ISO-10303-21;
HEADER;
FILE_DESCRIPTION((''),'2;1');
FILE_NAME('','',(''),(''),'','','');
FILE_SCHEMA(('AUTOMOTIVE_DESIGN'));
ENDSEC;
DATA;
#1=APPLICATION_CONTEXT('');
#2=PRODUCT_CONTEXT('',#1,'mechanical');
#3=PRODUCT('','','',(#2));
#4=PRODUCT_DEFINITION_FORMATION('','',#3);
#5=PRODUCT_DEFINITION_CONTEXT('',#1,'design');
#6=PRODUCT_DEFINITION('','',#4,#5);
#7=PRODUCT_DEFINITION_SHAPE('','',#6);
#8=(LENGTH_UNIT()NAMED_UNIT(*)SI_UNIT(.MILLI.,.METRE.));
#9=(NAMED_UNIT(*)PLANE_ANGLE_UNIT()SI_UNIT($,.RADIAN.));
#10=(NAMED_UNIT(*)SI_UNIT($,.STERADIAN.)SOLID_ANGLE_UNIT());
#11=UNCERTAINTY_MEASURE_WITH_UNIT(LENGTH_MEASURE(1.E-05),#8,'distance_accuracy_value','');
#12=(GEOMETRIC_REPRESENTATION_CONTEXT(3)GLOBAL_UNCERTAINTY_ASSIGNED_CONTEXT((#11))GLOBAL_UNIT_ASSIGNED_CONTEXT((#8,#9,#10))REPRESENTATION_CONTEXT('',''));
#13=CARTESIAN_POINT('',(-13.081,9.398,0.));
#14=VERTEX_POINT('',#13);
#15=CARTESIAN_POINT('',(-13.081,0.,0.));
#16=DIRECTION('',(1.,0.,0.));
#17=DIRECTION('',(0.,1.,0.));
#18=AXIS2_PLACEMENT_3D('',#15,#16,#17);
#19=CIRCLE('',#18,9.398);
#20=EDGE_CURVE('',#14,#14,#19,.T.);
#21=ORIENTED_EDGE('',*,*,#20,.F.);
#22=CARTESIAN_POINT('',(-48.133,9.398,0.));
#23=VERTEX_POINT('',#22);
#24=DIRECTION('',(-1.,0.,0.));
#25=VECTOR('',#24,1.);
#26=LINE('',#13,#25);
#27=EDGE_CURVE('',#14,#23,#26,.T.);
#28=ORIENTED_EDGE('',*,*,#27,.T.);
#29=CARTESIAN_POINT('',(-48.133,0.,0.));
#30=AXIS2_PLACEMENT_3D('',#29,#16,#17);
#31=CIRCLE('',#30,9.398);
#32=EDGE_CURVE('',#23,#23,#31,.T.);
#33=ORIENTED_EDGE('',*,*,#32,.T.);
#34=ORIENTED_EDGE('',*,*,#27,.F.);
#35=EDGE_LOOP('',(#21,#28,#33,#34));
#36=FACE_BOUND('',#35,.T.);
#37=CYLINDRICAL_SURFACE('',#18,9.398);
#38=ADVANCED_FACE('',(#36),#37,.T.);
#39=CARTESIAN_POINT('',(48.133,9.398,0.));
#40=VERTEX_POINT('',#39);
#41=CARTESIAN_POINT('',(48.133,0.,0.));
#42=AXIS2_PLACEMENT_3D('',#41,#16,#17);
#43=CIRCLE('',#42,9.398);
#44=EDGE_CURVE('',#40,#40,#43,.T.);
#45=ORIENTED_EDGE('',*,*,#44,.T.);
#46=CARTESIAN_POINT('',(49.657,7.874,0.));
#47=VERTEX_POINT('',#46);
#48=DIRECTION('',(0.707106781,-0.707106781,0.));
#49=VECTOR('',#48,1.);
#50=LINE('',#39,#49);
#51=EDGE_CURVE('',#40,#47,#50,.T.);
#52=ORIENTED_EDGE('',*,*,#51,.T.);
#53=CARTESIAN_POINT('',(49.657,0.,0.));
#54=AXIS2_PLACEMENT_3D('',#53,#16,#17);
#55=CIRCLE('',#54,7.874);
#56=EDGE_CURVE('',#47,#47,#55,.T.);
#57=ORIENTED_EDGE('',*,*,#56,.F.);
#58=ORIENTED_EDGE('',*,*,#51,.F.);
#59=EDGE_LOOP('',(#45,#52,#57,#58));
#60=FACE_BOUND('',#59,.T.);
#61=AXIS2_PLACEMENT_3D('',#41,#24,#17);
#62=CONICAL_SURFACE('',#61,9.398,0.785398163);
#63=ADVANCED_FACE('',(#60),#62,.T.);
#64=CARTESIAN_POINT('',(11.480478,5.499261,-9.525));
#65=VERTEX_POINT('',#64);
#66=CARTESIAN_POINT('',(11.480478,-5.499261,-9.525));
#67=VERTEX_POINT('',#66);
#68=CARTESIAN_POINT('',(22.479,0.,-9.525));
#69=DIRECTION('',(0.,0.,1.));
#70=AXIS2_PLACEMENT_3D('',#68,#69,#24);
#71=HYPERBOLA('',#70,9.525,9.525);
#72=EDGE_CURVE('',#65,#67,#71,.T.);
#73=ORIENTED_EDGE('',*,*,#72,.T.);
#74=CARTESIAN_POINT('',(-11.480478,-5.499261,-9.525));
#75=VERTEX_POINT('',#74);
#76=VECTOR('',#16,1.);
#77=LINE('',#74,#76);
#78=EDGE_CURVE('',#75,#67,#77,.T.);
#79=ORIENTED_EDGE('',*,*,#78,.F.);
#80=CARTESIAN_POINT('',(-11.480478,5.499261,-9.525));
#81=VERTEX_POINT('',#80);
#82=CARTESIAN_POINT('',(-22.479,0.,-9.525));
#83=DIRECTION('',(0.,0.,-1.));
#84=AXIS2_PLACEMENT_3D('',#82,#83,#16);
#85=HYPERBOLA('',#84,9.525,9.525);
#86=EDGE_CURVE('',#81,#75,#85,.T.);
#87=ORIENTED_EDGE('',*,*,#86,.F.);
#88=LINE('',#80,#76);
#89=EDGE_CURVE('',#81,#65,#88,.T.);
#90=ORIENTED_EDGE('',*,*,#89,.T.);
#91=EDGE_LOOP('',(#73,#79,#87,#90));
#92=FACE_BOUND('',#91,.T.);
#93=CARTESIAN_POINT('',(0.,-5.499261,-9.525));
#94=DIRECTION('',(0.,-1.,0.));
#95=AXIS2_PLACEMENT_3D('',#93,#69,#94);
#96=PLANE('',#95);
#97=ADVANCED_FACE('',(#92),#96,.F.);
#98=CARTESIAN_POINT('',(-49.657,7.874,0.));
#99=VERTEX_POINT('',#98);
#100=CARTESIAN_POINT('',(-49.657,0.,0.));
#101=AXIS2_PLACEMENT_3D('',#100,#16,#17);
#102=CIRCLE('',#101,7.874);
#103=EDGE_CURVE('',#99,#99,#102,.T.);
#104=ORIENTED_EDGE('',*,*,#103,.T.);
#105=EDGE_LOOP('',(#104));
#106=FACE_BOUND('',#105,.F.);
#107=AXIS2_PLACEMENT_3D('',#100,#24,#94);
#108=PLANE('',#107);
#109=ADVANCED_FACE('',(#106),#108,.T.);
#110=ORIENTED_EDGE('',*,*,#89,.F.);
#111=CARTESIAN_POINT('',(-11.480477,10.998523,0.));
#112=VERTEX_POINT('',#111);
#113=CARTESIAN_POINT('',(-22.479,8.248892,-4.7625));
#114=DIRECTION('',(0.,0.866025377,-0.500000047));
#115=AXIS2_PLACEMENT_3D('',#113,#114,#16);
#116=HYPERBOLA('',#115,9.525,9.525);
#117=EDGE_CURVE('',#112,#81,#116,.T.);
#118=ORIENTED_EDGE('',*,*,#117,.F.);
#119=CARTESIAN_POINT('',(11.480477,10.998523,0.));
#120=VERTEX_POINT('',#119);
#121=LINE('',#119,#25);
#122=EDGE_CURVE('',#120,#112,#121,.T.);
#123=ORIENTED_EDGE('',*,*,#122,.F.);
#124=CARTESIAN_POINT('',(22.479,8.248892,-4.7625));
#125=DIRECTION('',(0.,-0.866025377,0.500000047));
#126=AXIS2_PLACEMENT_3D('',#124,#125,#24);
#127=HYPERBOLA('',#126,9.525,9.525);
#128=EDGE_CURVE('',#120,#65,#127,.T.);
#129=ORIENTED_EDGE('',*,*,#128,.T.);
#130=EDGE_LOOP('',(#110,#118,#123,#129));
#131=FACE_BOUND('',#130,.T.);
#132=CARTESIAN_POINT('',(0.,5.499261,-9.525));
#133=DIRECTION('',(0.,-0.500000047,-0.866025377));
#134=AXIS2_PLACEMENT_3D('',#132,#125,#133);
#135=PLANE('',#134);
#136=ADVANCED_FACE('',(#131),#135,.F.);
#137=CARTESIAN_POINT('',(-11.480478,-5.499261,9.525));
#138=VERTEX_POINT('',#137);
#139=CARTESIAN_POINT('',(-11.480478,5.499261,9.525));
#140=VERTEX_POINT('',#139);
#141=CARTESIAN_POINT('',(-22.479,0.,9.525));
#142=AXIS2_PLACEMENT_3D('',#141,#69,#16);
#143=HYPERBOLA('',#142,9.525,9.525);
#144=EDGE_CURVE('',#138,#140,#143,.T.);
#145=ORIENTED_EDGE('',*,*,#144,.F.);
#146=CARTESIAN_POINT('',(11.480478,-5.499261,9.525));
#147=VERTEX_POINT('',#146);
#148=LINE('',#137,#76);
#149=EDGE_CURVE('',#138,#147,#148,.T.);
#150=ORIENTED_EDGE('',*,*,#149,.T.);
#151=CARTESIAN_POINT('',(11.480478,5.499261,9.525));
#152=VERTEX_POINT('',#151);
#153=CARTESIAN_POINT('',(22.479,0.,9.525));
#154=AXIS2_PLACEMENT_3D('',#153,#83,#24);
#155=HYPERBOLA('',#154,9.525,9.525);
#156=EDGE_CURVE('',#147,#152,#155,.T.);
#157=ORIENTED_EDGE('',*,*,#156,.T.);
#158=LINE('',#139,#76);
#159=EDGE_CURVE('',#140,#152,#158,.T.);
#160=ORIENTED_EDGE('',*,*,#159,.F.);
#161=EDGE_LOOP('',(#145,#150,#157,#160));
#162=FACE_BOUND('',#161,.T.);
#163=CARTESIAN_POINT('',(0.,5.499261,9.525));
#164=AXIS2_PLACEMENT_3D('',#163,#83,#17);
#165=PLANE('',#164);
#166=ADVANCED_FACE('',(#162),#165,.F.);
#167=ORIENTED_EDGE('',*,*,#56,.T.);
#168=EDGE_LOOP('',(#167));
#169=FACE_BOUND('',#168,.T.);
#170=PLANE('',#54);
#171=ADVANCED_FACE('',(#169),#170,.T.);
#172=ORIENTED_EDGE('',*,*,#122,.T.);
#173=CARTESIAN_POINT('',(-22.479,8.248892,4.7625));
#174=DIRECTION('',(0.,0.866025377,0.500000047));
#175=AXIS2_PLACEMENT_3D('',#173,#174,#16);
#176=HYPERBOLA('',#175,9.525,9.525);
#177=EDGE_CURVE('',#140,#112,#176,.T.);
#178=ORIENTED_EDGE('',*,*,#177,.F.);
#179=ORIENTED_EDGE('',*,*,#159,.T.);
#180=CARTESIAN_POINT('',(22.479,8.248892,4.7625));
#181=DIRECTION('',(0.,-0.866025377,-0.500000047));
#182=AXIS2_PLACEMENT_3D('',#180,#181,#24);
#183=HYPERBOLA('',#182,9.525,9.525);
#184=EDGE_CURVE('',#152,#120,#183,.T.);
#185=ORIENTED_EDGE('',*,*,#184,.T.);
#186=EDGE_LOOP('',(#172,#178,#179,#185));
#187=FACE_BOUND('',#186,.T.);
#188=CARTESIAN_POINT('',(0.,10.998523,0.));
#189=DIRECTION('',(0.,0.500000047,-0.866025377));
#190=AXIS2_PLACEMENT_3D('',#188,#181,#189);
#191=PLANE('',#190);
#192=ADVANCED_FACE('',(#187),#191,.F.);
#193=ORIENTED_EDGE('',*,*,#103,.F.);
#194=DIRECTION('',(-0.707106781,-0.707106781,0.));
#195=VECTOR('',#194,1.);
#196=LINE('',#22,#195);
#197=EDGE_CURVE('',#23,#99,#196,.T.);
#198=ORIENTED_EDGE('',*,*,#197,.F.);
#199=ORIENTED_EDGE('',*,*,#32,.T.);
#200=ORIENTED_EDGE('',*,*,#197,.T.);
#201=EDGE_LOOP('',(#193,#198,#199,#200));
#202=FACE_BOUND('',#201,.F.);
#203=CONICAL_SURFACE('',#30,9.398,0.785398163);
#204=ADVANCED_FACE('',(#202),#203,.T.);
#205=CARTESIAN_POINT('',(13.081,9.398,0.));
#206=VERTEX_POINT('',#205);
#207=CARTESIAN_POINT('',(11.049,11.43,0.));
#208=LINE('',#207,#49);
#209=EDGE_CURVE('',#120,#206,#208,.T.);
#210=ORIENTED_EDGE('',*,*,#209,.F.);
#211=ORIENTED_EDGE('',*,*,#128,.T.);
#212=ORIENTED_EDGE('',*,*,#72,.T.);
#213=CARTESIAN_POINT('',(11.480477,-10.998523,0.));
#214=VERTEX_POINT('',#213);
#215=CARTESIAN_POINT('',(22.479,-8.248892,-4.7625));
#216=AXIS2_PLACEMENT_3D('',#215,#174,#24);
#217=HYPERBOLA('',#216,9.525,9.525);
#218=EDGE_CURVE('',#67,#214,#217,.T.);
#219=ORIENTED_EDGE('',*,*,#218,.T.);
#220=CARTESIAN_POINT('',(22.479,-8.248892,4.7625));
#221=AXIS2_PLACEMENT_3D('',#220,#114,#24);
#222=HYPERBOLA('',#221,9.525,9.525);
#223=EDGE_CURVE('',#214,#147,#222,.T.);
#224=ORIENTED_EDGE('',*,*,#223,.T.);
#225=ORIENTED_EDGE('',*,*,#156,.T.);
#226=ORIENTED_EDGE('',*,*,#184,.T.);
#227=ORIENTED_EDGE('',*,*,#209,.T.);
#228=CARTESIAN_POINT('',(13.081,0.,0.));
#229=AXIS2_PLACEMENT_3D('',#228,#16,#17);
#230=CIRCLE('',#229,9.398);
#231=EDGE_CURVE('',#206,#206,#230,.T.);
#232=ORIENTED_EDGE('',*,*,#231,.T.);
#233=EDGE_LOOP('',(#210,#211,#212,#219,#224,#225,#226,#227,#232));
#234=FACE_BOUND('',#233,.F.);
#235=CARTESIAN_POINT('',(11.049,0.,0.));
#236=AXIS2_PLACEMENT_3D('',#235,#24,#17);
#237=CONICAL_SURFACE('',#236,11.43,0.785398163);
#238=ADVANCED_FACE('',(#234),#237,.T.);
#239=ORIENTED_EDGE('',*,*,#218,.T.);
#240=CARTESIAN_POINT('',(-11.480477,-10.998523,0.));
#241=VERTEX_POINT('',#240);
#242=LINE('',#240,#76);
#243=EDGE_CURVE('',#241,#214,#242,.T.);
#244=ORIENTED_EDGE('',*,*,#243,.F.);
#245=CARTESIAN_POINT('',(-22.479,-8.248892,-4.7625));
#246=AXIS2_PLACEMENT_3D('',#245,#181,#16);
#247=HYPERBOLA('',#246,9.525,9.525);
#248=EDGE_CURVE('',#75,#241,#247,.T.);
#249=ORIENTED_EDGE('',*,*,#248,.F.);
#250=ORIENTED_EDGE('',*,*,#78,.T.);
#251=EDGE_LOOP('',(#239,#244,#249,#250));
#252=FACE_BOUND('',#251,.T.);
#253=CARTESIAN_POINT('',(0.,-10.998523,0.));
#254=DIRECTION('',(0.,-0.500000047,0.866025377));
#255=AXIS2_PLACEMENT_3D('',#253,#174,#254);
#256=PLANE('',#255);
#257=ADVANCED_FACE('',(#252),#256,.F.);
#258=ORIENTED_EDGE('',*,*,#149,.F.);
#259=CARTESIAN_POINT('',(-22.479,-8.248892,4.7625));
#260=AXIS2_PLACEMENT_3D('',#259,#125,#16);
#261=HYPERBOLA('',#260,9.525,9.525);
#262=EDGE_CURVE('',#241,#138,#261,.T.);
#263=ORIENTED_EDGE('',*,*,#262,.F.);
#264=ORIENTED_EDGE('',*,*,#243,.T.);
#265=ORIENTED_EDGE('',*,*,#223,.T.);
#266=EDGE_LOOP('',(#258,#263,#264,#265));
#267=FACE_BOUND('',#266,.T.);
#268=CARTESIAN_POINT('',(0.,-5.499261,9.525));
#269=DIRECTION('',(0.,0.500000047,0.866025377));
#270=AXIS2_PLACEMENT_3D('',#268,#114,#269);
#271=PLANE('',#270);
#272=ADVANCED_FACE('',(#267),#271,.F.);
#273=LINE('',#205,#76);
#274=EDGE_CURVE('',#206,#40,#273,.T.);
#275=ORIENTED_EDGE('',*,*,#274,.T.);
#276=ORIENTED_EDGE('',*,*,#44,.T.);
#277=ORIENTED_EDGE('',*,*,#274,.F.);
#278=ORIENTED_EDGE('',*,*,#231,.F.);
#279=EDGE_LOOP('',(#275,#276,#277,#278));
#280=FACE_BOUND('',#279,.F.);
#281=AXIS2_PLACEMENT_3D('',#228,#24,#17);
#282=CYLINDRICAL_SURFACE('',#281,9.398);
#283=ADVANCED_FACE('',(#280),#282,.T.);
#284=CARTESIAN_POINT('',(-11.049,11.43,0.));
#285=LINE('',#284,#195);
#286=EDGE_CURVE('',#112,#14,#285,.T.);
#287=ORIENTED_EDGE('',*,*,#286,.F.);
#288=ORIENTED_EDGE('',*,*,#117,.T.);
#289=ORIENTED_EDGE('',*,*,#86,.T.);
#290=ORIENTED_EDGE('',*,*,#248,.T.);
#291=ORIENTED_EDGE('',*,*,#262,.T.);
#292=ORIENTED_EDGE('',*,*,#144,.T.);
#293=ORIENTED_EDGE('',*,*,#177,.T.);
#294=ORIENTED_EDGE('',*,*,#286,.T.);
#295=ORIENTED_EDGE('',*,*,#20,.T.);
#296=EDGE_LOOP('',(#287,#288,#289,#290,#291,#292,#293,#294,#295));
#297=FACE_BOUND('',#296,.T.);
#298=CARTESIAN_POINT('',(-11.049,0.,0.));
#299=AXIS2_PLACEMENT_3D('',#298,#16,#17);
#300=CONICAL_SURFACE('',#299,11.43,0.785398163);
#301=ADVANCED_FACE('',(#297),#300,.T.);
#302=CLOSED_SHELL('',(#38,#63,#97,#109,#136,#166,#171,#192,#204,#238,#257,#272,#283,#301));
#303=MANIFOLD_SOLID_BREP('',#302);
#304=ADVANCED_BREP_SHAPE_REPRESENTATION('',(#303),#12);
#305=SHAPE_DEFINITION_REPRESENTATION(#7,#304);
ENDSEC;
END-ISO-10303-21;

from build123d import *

# Parameters (mm, degrees)
F1_DEPTH = 13.081
F2_R     = 9.398
F3_DEPTH = 36.576
F4_SIZE  = 1.524


with BuildPart() as f1:
    # F0 (on Right) → F1 (new body)
    with BuildSketch(Plane.YZ):
        Polygon((5.499261, -9.525), (10.998523, 0), (5.499261, 9.525), (-5.499261, 9.525), (-10.998523, 0), (-5.499261, -9.525), align=None)
    extrude(amount=F1_DEPTH)

    # F2 (on face) → F3 (join)
    with BuildSketch(Plane.YZ.offset(13.081)):
        Circle(F2_R)
    extrude(amount=F3_DEPTH)

    # F4
    f4_edges = [f1.edges().sort_by_distance(p)[0] for p in [
        (49.657, -9.398, 0),
    ]]
    chamfer(f4_edges, length=F4_SIZE)

    # F5 (on Top) → F6 (revolve, cut)
    with BuildSketch(Plane.XY):
        Polygon((13.081, 9.398), (13.081, 11.43), (11.049, 11.43), align=None)
    revolve(axis=Axis((19.661747, 0, 0), (-1, 0, 0)), mode=Mode.SUBTRACT)

    # F7: F1 across face


with BuildPart() as f1_1:
    add(f1.part)
    add(f1.part.mirror(Plane(origin=(0, 0, 0), x_dir=(0, 1, 0), z_dir=(-1, 0, 0))))


solid = f1_1.part
